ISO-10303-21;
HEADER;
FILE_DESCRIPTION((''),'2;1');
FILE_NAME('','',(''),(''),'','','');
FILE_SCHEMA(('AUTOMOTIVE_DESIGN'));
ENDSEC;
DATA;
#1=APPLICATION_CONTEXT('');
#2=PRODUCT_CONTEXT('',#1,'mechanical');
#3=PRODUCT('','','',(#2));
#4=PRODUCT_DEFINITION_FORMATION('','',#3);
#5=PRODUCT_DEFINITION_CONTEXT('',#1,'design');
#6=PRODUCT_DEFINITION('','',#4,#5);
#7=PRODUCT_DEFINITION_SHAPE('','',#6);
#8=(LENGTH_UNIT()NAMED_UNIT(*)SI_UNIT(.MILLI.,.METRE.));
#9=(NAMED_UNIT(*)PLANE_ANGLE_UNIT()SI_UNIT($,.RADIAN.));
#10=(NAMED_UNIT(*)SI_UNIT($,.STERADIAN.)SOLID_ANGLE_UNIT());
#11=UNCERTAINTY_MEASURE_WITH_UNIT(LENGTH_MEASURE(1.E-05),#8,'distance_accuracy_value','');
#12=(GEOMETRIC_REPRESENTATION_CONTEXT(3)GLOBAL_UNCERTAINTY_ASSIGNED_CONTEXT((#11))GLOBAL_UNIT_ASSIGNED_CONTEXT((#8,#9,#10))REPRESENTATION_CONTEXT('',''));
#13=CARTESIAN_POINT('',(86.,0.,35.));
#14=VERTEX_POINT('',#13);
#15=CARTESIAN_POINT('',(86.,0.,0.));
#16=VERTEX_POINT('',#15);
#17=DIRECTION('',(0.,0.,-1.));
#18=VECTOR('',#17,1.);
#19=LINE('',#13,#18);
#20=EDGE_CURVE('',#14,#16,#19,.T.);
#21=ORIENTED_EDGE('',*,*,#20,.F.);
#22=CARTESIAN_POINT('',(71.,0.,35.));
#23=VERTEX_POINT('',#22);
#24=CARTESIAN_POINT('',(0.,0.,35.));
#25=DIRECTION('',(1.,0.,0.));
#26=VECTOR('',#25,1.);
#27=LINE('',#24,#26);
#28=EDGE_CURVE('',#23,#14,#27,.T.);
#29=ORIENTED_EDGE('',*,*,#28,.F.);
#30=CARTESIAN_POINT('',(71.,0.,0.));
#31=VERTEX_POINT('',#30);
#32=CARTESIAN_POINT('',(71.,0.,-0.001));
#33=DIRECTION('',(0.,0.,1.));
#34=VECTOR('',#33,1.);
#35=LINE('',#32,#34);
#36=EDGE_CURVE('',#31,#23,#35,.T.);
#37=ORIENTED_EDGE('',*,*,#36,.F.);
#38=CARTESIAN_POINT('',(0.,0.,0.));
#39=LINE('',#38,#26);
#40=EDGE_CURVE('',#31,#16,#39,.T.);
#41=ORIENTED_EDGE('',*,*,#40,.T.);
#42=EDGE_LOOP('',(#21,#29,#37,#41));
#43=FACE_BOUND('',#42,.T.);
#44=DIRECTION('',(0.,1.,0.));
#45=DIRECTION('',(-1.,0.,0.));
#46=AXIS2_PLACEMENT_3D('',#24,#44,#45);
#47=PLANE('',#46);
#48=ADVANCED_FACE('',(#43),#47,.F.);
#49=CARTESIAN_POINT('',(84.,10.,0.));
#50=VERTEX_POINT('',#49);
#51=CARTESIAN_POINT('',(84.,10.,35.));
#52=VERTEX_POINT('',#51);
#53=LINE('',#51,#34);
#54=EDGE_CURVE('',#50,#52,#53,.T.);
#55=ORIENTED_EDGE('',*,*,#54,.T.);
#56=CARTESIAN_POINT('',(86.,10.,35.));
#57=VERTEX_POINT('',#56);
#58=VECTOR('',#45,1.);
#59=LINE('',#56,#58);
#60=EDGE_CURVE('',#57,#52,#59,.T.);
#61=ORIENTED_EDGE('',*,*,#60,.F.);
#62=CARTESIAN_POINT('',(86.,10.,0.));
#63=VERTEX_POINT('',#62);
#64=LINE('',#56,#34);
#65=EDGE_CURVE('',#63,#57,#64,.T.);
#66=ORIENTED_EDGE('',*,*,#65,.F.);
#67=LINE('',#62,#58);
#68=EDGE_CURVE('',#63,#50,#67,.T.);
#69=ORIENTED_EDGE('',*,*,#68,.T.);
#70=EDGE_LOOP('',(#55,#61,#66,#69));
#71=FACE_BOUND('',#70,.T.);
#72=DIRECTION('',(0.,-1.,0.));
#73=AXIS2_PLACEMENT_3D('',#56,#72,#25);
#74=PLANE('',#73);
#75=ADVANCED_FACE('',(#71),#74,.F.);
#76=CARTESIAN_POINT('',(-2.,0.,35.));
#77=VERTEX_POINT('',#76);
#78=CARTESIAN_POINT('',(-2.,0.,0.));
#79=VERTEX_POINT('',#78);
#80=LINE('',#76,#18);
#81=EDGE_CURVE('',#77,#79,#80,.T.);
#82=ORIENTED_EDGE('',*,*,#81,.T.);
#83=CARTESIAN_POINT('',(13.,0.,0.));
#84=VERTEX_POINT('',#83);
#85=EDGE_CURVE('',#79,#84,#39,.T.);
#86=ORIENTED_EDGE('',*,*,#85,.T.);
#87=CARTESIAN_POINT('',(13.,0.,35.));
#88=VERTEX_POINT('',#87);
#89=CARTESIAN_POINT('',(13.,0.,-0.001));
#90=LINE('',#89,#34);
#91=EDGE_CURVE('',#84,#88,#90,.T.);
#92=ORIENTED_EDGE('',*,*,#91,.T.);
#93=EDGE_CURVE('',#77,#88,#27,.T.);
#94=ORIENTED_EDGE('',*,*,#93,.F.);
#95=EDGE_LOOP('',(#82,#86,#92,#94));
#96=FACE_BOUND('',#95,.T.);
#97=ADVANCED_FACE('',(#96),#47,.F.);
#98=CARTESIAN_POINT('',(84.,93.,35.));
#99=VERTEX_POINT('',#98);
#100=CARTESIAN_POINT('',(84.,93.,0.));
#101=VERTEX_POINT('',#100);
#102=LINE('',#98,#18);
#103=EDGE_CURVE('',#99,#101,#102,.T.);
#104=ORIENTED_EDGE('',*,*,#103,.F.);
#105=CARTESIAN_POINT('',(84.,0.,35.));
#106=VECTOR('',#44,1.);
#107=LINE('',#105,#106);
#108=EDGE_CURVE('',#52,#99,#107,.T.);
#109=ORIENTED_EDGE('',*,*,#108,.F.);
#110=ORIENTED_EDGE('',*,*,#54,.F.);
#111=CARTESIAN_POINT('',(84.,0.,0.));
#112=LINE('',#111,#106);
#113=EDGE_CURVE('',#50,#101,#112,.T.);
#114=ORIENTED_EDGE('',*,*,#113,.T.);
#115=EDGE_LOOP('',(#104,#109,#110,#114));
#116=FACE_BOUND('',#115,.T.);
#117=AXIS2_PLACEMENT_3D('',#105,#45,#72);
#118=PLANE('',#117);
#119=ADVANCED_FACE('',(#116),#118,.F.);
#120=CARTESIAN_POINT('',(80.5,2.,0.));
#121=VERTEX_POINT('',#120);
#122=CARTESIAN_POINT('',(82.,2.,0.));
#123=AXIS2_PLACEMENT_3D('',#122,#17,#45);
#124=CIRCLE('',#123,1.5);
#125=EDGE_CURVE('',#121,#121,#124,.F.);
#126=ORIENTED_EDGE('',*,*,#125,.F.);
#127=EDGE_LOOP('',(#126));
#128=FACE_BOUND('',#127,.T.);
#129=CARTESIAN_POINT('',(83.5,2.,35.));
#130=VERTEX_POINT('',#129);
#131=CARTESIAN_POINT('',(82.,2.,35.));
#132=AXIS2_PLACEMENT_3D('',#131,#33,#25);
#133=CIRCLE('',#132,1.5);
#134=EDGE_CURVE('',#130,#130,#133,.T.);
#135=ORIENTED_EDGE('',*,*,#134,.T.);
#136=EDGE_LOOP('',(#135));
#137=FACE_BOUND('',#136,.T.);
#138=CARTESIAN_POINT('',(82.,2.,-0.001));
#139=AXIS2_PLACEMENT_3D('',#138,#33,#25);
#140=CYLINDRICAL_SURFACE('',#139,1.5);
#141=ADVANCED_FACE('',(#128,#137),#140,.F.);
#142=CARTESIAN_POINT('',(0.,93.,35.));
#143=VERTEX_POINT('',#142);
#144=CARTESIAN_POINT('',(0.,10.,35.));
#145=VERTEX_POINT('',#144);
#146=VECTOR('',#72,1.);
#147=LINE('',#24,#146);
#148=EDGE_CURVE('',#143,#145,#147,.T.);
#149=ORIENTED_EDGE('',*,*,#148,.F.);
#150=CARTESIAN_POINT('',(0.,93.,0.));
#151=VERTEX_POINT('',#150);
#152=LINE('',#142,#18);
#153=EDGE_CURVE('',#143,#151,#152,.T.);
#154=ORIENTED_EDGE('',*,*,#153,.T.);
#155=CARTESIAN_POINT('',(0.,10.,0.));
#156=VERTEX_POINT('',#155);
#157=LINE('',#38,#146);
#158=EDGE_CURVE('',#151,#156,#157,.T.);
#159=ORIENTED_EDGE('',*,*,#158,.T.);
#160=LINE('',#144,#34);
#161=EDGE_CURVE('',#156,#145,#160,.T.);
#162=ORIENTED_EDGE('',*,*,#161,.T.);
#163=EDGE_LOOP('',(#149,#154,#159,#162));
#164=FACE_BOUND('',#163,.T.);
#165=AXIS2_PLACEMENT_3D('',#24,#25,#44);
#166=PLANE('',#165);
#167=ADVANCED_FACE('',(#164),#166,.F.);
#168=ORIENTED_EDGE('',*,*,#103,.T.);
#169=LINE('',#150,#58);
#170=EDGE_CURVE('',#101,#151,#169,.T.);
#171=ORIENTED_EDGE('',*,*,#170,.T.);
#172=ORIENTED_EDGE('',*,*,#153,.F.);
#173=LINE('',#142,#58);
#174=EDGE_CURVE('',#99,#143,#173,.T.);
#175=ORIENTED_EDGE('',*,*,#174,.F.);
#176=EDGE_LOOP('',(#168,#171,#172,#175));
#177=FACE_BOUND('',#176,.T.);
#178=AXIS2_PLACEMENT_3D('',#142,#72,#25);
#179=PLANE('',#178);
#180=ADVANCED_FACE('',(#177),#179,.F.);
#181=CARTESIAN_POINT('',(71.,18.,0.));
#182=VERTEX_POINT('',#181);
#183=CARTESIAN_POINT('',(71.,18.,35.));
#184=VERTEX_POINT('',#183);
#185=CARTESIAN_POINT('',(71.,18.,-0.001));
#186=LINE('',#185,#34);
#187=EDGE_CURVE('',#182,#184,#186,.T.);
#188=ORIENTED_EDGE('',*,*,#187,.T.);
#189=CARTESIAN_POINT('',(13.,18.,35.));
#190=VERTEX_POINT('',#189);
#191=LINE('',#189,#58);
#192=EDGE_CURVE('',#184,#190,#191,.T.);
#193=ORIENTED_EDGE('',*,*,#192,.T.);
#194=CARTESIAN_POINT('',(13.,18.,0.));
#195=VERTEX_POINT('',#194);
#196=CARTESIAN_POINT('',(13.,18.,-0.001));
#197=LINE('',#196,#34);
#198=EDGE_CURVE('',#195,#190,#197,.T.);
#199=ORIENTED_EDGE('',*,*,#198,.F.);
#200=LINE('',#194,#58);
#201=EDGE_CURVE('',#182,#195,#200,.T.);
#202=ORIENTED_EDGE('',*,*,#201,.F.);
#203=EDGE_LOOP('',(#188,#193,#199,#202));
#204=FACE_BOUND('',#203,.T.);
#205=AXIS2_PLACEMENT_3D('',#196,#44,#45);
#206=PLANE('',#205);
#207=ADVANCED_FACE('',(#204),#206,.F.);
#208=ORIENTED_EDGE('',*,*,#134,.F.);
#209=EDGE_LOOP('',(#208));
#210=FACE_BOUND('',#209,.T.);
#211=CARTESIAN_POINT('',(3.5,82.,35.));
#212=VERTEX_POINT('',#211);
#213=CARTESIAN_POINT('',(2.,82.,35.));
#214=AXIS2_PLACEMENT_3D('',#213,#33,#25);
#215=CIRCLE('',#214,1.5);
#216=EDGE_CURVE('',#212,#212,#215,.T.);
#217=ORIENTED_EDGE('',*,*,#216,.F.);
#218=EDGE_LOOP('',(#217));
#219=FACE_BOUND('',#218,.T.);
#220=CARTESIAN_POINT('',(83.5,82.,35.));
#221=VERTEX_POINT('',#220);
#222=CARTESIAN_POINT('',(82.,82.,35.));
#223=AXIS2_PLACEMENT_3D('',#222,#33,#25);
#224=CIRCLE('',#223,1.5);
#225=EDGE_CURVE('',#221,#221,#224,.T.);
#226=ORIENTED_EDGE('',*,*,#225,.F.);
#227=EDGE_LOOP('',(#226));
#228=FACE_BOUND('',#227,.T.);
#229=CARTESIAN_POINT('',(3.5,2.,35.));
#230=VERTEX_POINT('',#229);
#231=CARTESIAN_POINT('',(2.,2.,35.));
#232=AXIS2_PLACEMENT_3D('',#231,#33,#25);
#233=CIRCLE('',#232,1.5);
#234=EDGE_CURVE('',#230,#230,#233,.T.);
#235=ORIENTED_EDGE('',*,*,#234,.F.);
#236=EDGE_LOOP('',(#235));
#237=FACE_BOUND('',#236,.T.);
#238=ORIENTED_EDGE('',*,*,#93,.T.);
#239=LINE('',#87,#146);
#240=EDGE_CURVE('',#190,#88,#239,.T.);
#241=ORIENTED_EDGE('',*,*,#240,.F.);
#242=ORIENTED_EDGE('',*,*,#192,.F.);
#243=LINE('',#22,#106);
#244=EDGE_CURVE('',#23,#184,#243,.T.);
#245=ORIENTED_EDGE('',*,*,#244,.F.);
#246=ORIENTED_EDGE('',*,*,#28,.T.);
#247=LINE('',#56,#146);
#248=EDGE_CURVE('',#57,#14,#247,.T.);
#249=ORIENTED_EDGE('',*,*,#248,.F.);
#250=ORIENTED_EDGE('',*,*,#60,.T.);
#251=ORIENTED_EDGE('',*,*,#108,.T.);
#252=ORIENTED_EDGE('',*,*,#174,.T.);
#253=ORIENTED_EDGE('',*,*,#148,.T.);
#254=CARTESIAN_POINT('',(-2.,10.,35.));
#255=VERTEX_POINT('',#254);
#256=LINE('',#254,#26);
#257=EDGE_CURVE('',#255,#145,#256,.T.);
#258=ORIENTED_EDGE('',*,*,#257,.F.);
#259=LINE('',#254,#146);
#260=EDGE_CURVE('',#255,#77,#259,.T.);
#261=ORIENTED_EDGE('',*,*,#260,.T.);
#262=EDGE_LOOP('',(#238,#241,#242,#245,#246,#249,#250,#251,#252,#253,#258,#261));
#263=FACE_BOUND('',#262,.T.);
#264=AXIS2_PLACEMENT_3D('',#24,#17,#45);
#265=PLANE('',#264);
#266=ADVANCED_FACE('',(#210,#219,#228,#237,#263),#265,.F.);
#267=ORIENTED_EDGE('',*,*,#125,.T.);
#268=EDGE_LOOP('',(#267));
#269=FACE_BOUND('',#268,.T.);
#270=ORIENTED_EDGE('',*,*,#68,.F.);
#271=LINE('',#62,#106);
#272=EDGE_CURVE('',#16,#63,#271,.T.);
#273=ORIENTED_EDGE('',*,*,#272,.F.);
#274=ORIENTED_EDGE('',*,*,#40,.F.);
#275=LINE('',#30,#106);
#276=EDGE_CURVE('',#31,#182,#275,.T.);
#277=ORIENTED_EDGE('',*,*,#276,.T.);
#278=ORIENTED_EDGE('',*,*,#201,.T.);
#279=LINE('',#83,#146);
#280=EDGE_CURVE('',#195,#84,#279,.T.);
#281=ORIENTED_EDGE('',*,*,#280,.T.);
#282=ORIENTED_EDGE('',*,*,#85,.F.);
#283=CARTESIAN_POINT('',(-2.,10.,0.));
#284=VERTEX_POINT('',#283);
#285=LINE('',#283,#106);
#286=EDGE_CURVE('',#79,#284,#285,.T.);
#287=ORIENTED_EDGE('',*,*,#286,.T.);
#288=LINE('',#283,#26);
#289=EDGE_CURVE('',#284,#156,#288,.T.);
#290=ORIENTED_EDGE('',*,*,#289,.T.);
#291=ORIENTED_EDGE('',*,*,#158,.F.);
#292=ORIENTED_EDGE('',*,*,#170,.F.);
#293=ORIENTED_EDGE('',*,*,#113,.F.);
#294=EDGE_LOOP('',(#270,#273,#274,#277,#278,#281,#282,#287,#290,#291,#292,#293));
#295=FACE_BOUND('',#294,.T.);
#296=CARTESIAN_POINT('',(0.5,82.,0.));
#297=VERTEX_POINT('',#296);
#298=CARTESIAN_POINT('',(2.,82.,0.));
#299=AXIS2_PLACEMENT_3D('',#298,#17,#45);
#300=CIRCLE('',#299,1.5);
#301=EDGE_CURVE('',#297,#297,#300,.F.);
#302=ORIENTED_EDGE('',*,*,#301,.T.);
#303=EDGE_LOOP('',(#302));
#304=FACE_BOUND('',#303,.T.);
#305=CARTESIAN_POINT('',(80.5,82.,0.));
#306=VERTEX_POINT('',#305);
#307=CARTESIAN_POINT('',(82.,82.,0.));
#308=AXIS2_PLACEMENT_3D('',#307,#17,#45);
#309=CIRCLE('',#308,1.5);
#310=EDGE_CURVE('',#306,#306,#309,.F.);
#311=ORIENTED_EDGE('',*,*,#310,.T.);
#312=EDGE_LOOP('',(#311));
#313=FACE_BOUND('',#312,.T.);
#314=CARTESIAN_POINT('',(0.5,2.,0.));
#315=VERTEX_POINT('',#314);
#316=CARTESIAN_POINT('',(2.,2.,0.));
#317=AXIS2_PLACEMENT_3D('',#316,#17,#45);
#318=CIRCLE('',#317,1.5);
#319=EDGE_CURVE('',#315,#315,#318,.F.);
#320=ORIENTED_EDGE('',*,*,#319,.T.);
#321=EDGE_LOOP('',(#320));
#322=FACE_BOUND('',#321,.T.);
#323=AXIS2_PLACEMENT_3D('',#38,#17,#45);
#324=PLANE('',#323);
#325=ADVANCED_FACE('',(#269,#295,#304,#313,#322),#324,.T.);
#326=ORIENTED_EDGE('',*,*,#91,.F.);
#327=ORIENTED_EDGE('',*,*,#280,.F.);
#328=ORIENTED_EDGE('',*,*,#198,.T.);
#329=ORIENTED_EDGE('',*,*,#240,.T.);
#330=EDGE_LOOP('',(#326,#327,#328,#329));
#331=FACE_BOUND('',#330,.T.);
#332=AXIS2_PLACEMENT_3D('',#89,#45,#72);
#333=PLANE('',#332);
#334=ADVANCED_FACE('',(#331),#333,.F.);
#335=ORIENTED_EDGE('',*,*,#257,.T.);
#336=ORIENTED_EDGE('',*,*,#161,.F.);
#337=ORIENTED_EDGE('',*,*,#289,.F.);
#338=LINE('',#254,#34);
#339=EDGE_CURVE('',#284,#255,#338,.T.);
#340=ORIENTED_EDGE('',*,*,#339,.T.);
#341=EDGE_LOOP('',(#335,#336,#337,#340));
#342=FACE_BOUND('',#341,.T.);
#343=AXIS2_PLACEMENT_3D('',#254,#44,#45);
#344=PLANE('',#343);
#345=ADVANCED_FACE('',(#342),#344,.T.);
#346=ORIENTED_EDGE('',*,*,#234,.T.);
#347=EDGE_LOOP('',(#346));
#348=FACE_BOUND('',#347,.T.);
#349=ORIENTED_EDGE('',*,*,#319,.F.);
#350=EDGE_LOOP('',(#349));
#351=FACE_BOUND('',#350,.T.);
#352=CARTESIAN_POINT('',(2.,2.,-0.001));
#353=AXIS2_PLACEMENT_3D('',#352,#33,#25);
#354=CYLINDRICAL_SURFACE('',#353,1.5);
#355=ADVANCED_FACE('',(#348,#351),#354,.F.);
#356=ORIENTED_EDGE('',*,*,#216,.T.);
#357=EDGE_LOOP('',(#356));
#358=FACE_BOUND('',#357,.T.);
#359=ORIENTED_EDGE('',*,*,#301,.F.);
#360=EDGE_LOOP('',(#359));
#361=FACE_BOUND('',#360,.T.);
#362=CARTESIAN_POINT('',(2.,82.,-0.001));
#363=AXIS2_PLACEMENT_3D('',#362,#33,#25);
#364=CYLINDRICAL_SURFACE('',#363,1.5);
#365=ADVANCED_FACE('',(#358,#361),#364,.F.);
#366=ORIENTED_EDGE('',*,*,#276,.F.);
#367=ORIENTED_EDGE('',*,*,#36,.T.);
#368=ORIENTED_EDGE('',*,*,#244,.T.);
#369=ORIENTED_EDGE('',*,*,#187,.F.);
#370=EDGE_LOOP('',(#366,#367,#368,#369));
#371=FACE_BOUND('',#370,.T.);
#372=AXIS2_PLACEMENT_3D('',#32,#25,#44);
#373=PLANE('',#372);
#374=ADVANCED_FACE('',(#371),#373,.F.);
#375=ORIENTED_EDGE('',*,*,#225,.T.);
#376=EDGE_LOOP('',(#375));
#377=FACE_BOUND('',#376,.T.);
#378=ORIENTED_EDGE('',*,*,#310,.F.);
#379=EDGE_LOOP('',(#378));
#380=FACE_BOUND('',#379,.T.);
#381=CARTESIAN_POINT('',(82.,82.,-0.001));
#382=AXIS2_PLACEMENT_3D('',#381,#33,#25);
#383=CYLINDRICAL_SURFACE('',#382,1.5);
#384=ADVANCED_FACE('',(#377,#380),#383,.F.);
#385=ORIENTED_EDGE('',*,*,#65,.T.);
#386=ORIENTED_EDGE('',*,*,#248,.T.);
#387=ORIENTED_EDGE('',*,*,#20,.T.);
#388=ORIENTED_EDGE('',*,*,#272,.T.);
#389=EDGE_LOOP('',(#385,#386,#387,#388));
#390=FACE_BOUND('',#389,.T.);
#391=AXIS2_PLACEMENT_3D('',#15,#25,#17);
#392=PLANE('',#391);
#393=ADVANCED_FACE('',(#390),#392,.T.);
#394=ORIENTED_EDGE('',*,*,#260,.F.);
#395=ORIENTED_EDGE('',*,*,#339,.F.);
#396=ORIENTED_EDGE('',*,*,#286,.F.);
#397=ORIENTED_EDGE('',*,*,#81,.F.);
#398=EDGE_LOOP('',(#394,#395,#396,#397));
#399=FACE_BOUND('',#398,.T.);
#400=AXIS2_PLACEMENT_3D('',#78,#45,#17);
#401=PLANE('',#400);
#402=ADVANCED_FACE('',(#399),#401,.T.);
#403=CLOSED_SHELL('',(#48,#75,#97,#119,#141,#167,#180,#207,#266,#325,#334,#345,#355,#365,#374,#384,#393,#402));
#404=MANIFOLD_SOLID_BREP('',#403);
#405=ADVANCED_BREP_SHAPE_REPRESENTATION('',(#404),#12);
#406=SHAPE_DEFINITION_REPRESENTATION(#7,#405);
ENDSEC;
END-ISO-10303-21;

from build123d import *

# Parameters (mm, degrees)
SKETCH_1_W          = 84
SKETCH_1_H          = 93
EXTRUDE_1_DEPTH     = 35
CUT_EXTRUDE_1_REACH = 132.115
SKETCH_2_R          = 1.5
CUT_EXTRUDE_2_REACH = 132.115
SKETCH_3_W          = 58
SKETCH_3_H          = 18
SKETCH_6_W          = 35
SKETCH_6_H          = 10
EXTRUDE_3_DEPTH     = 2


with BuildPart() as part:
    # 草图1 → 凸台-拉伸1 (new body)
    with BuildSketch(Plane.XY):
        with Locations((42, 46.5)):
            Rectangle(SKETCH_1_W, SKETCH_1_H)
    extrude(amount=EXTRUDE_1_DEPTH)

    # 草图2 → 切除-拉伸1 (cut, up to next)
    with BuildSketch(Plane.XY.offset(35), mode=Mode.PRIVATE) as cut_extrude_1_sk1:
        with Locations((82, 2)):
            Circle(SKETCH_2_R)
    cut_extrude_1_tool1 = extrude(cut_extrude_1_sk1.sketch, amount=-CUT_EXTRUDE_1_REACH, mode=Mode.PRIVATE) & part.part
    # 草图2 → 切除-拉伸1 (cut, up to next)
    with BuildSketch(Plane.XY.offset(35), mode=Mode.PRIVATE) as cut_extrude_1_sk2:
        with Locations((2, 2)):
            Circle(SKETCH_2_R)
    cut_extrude_1_tool2 = extrude(cut_extrude_1_sk2.sketch, amount=-CUT_EXTRUDE_1_REACH, mode=Mode.PRIVATE) & part.part
    # 草图2 → 切除-拉伸1 (cut, up to next)
    with BuildSketch(Plane.XY.offset(35), mode=Mode.PRIVATE) as cut_extrude_1_sk3:
        with Locations((82, 82)):
            Circle(SKETCH_2_R)
    cut_extrude_1_tool3 = extrude(cut_extrude_1_sk3.sketch, amount=-CUT_EXTRUDE_1_REACH, mode=Mode.PRIVATE) & part.part
    # 草图2 → 切除-拉伸1 (cut, up to next)
    with BuildSketch(Plane.XY.offset(35), mode=Mode.PRIVATE) as cut_extrude_1_sk4:
        with Locations((2, 82)):
            Circle(SKETCH_2_R)
    cut_extrude_1_tool4 = extrude(cut_extrude_1_sk4.sketch, amount=-CUT_EXTRUDE_1_REACH, mode=Mode.PRIVATE) & part.part
    add(cut_extrude_1_tool1.solids().sort_by_distance((82, 2, 35))[0], mode=Mode.SUBTRACT)
    add(cut_extrude_1_tool2.solids().sort_by_distance((2, 2, 35))[0], mode=Mode.SUBTRACT)
    add(cut_extrude_1_tool3.solids().sort_by_distance((82, 82, 35))[0], mode=Mode.SUBTRACT)
    add(cut_extrude_1_tool4.solids().sort_by_distance((2, 82, 35))[0], mode=Mode.SUBTRACT)

    # 草图3 → 切除-拉伸2 (cut, up to next)
    with BuildSketch(Plane.XY.offset(35), mode=Mode.PRIVATE) as cut_extrude_2_sk1:
        with Locations((42, 9)):
            Rectangle(SKETCH_3_W, SKETCH_3_H)
    cut_extrude_2_tool1 = extrude(cut_extrude_2_sk1.sketch, amount=-CUT_EXTRUDE_2_REACH, mode=Mode.PRIVATE) & part.part
    add(cut_extrude_2_tool1.solids().sort_by_distance((42, 9, 35))[0], mode=Mode.SUBTRACT)

    # 草图6 → 凸台-拉伸3 (add)
    with BuildSketch(Plane(origin=(84, 0, 0), x_dir=(0, 0, -1), z_dir=(1, 0, 0))):
        with Locations((-17.5, 5)):
            Rectangle(SKETCH_6_W, SKETCH_6_H)
    extrude_3 = extrude(amount=EXTRUDE_3_DEPTH)

    # 镜向1: 凸台-拉伸3 across plane
    add(extrude_3.mirror(Plane(origin=(42, 0, 0), x_dir=(0, 0, 1), z_dir=(1, 0, 0))))


solid = part.part
